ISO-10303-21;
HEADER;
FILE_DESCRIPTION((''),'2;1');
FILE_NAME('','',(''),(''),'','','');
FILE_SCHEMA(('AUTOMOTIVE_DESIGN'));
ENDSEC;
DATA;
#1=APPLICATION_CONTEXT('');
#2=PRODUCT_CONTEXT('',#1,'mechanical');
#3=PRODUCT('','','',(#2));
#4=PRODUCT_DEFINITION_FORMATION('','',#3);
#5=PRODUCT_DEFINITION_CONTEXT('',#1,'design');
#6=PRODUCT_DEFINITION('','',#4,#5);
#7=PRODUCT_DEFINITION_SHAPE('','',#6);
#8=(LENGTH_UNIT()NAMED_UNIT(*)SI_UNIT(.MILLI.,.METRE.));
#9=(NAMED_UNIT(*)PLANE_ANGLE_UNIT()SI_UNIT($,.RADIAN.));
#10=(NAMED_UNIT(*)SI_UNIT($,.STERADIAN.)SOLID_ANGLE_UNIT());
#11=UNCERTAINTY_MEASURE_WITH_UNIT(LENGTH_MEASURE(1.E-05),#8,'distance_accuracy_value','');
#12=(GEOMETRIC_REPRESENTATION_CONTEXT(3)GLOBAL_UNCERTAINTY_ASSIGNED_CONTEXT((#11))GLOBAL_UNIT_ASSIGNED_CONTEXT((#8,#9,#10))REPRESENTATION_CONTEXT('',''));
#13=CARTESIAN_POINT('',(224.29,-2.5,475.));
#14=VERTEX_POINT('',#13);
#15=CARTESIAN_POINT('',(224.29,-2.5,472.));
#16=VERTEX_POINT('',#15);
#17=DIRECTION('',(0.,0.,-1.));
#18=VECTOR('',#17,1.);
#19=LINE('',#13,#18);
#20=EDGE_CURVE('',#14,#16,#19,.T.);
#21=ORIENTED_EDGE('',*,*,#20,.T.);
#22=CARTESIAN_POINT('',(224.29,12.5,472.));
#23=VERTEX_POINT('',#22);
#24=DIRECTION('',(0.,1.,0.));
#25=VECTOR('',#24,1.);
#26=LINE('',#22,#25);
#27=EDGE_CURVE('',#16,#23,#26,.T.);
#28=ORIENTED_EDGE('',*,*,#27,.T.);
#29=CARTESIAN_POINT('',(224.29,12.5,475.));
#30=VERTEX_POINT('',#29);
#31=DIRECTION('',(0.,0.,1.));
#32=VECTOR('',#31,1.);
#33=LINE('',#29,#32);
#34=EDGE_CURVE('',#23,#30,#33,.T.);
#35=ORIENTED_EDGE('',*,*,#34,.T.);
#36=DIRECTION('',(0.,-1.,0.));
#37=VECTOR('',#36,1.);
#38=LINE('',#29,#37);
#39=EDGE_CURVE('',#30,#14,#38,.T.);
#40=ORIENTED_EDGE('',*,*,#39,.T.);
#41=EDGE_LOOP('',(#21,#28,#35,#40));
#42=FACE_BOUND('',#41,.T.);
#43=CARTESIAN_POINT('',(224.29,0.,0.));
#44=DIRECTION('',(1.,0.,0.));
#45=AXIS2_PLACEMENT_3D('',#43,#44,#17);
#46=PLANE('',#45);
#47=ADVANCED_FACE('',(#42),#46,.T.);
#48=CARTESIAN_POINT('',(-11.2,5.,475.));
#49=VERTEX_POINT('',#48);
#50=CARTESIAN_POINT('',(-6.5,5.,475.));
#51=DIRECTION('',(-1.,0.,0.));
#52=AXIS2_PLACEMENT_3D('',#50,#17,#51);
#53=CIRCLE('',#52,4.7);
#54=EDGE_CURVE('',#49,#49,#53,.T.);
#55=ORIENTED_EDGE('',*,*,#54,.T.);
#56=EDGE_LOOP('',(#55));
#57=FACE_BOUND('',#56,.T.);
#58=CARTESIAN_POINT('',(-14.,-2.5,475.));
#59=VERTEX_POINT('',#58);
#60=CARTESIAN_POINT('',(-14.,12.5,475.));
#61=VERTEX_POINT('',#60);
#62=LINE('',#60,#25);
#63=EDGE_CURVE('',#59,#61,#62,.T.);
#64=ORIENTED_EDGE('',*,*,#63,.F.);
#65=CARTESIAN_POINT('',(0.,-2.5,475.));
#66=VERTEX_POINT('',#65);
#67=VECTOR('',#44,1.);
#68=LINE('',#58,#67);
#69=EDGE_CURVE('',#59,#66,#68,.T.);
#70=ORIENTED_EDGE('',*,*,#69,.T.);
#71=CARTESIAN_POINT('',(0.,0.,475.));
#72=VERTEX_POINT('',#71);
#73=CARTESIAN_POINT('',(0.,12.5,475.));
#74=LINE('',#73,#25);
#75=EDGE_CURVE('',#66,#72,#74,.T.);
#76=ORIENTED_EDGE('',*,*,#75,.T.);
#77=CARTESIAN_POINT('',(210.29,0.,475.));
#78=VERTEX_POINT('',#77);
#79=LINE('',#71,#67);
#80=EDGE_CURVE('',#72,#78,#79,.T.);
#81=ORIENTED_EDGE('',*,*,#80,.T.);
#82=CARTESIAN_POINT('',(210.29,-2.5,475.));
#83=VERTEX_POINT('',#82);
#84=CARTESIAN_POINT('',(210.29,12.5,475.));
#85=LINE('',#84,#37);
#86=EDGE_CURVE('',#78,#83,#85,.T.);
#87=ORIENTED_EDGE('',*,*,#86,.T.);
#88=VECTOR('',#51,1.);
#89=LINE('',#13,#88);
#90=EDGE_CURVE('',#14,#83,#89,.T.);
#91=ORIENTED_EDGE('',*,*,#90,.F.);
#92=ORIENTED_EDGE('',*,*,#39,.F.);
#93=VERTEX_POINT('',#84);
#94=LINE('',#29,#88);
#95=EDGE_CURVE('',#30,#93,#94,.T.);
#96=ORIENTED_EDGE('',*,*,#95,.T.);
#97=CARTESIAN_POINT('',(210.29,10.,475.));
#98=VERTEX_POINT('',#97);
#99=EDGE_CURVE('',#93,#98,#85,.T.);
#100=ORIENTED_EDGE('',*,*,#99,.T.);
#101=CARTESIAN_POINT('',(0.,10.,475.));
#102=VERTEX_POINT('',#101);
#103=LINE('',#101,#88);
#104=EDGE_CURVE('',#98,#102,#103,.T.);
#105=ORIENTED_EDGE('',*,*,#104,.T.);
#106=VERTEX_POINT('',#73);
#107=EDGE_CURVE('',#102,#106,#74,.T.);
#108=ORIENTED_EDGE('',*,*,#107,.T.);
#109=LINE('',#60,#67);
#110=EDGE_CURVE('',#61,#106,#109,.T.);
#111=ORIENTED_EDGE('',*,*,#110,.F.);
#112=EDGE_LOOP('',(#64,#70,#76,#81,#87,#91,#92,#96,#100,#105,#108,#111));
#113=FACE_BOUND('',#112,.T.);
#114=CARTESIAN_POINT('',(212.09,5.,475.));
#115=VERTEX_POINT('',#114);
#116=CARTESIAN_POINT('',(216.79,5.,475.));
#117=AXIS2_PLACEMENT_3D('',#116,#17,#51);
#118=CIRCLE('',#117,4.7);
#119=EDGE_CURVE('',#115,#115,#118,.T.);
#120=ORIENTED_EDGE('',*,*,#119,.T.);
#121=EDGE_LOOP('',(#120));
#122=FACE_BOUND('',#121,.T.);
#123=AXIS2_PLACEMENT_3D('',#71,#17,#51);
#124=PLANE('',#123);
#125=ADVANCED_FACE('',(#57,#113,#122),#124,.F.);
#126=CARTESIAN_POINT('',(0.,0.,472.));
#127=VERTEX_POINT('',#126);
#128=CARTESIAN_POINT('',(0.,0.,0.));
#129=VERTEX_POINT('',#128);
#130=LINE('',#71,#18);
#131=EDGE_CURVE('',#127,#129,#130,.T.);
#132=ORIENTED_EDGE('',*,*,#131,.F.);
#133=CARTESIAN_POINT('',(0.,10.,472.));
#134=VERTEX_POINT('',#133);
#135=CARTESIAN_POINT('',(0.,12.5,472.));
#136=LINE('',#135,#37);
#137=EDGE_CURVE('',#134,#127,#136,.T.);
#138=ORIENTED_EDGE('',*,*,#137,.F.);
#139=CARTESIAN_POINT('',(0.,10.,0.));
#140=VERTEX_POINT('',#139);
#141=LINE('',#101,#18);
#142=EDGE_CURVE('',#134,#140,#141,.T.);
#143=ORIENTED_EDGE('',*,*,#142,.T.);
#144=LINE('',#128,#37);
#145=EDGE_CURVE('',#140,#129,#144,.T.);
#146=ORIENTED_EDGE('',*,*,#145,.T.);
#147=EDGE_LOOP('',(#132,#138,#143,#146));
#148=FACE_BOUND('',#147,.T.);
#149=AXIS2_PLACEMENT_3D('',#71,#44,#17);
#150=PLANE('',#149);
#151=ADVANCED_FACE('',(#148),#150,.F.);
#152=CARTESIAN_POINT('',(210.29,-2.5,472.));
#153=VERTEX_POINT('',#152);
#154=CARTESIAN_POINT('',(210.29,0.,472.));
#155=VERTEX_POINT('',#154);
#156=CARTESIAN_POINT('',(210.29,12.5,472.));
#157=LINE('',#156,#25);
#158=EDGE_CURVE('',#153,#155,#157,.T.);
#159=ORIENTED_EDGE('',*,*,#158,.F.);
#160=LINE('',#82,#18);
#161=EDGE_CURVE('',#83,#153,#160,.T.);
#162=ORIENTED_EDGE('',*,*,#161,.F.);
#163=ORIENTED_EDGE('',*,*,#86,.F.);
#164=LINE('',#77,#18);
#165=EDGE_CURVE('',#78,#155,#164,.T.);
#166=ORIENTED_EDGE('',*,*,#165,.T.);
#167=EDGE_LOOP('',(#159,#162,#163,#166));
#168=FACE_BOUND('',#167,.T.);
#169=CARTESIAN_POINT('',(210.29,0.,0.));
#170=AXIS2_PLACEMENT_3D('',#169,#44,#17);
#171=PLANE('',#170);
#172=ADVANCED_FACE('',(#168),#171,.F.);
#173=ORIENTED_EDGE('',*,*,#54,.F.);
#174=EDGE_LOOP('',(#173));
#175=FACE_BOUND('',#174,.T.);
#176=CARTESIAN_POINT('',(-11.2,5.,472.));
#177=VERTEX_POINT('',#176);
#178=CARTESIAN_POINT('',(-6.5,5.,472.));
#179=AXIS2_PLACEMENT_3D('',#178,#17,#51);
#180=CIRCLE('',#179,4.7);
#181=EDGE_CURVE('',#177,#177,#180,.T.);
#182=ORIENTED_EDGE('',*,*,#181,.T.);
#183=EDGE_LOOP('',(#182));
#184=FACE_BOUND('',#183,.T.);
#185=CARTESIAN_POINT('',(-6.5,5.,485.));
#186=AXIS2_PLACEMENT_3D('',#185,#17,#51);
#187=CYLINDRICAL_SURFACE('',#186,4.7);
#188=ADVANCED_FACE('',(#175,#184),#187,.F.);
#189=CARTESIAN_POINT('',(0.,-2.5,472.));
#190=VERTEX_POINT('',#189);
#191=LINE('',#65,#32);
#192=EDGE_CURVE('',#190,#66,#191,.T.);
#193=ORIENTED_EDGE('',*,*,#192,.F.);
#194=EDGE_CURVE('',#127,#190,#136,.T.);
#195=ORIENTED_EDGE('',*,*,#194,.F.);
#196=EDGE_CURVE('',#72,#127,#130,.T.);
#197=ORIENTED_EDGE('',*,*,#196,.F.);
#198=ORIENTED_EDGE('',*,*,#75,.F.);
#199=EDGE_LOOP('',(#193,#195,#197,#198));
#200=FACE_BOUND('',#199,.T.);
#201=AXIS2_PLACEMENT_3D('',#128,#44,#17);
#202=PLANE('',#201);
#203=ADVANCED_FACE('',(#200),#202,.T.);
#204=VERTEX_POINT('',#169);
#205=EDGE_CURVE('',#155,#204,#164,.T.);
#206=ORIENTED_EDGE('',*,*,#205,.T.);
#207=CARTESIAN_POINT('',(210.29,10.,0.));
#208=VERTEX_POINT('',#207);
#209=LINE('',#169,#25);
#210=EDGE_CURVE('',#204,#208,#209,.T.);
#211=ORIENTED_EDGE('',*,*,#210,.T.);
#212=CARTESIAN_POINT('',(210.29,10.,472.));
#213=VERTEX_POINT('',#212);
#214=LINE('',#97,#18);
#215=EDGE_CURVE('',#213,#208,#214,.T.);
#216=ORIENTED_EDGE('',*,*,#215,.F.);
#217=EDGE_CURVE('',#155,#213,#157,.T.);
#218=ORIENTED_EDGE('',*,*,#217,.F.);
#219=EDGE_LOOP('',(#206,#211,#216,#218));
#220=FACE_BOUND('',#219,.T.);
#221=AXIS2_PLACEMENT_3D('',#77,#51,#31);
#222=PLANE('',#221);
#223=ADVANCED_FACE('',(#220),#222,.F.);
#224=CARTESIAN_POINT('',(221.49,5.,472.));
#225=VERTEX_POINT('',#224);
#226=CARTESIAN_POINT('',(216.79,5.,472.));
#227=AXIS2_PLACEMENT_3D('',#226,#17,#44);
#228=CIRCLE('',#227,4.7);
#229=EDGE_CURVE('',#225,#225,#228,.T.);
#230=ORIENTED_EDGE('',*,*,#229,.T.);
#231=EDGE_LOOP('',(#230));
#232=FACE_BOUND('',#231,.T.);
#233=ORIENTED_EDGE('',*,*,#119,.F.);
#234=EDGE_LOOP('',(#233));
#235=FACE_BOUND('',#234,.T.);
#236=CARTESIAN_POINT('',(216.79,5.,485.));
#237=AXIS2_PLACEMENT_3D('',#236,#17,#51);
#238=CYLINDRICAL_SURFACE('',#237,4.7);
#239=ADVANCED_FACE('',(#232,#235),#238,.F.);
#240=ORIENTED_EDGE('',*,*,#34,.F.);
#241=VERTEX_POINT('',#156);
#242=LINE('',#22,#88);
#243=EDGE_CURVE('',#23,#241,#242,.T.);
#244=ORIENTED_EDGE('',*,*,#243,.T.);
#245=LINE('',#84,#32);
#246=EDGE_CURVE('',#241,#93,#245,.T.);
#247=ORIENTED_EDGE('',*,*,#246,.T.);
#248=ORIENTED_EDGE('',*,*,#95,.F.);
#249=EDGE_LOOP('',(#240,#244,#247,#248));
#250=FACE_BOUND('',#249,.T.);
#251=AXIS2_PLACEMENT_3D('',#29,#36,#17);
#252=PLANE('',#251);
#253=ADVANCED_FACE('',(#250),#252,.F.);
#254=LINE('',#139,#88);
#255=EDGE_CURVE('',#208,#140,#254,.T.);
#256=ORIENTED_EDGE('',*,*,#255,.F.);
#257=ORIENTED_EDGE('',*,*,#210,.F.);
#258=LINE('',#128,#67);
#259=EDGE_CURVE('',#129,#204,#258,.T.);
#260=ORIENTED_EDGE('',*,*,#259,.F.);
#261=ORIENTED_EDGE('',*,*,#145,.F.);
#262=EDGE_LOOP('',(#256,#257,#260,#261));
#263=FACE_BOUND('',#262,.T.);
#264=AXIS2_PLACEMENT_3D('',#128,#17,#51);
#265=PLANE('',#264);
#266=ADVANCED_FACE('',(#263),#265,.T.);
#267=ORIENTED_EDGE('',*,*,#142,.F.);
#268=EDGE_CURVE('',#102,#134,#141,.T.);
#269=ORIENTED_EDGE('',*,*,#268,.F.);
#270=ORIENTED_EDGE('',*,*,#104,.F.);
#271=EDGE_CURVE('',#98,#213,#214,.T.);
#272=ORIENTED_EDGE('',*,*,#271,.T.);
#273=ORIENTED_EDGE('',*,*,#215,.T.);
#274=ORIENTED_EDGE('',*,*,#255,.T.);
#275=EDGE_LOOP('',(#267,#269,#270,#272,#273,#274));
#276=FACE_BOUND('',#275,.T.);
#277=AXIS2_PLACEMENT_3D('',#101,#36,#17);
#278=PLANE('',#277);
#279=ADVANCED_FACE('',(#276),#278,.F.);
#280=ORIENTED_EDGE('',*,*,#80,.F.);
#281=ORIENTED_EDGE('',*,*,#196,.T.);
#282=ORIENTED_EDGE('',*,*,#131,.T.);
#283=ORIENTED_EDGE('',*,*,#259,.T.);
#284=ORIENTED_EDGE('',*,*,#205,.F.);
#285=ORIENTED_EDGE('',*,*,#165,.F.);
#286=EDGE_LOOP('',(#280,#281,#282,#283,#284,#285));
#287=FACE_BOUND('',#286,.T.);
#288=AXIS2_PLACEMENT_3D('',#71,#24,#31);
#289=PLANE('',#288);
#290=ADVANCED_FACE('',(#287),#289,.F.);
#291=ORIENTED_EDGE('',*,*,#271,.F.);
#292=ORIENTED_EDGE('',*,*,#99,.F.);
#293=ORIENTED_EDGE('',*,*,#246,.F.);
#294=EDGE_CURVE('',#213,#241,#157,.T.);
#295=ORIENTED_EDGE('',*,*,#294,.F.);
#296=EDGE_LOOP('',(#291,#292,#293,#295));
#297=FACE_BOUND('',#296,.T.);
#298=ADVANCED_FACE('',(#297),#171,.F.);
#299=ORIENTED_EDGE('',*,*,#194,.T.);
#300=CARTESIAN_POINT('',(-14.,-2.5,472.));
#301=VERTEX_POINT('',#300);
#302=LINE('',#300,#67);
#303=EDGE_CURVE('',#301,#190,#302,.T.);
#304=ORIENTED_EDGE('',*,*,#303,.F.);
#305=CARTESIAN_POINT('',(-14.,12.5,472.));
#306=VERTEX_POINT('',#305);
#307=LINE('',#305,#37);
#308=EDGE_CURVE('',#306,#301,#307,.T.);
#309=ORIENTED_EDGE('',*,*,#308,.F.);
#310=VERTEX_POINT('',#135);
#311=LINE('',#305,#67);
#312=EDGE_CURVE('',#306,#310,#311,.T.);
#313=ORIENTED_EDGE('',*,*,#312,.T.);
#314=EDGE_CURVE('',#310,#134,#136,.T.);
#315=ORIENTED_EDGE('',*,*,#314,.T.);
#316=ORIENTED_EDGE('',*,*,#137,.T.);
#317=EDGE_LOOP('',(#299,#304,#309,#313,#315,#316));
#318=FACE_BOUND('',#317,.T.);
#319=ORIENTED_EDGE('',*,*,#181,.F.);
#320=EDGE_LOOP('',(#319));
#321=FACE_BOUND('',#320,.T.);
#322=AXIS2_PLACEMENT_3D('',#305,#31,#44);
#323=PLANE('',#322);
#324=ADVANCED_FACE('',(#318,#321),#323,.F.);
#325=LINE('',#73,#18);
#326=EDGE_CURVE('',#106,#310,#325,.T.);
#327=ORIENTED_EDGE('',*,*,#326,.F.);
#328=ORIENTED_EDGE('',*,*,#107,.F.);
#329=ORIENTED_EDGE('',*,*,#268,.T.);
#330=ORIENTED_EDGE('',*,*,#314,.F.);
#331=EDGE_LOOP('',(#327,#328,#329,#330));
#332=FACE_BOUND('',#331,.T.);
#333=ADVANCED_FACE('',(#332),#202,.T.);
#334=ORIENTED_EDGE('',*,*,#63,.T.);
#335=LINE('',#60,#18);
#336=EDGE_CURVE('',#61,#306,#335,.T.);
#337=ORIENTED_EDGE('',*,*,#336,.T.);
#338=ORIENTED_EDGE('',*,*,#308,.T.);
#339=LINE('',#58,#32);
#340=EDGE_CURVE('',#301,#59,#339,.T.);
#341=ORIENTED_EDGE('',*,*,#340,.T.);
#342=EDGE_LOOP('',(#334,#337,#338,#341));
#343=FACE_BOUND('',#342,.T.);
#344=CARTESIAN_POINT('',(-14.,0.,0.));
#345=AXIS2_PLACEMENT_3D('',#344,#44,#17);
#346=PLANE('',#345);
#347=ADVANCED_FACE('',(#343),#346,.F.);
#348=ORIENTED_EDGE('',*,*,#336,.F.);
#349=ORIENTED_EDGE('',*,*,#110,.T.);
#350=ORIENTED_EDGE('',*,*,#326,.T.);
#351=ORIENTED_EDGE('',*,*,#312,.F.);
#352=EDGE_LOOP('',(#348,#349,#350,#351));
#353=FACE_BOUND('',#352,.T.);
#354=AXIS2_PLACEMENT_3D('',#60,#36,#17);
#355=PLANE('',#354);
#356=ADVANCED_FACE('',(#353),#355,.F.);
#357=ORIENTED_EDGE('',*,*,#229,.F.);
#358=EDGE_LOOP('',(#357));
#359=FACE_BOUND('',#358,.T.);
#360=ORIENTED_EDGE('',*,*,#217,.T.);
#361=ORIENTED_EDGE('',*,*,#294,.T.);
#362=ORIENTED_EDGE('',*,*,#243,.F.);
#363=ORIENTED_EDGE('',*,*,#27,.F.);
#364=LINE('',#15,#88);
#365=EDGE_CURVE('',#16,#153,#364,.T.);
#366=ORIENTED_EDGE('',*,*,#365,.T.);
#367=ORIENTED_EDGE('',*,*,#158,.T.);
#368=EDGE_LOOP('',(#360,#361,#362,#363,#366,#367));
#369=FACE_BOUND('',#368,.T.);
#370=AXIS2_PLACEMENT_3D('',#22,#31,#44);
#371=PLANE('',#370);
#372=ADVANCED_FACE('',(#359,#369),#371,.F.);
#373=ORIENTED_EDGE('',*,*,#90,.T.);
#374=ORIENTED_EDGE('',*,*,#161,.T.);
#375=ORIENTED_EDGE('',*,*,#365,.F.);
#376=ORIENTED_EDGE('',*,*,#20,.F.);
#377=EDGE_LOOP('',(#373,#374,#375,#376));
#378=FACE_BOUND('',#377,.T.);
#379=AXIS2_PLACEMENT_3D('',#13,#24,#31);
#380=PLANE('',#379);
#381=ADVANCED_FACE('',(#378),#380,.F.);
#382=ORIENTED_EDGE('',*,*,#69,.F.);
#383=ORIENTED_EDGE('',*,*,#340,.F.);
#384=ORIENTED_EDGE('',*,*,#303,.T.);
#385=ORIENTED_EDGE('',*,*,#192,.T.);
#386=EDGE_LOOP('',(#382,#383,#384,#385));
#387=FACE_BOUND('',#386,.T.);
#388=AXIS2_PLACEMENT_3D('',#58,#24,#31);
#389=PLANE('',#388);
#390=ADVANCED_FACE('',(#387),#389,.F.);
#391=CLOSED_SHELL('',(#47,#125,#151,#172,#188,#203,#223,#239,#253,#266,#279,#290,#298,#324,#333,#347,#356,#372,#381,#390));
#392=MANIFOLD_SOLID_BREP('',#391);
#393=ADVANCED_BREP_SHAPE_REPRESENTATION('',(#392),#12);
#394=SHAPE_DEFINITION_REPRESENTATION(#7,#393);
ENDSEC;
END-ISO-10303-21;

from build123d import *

# Parameters (mm, degrees)
SKETCH1_W           = 210.29
SKETCH1_H           = 10
BOSS_EXTRUDE1_DEPTH = 475
SKETCH2_W           = 3
SKETCH2_H           = 15
BOSS_EXTRUDE2_DEPTH = 14
SKETCH4_W           = 3
SKETCH4_H           = 15
BOSS_EXTRUDE3_DEPTH = 14
SKETCH3_R           = 4.7
CUT_EXTRUDE1_DEPTH  = 13


with BuildPart() as part:
    # Sketch1 → Boss-Extrude1 (new body)
    with BuildSketch(Plane.XY):
        with Locations((105.145, 5)):
            Rectangle(SKETCH1_W, SKETCH1_H)
    extrude(amount=BOSS_EXTRUDE1_DEPTH)

    # Sketch2 → Boss-Extrude2 (add)
    with BuildSketch(Plane.ZY):
        with Locations((473.5, 5)):
            Rectangle(SKETCH2_W, SKETCH2_H)
    extrude(amount=BOSS_EXTRUDE2_DEPTH)

    # Sketch4 → Boss-Extrude3 (add)
    with BuildSketch(Plane(origin=(210.29, 0, 0), x_dir=(0, 0, -1), z_dir=(1, 0, 0))):
        with Locations((-473.5, 5)):
            Rectangle(SKETCH4_W, SKETCH4_H)
    extrude(amount=BOSS_EXTRUDE3_DEPTH)

    # Sketch3 → Cut-Extrude1 (cut)
    with BuildSketch(Plane(origin=(0, 0, 472), x_dir=(-1, 0, 0), z_dir=(0, 0, -1))):
        with Locations((6.5, 5)):
            Circle(SKETCH3_R)
        with Locations((-216.79, 5)):
            Circle(SKETCH3_R)
    extrude(amount=-CUT_EXTRUDE1_DEPTH, mode=Mode.SUBTRACT)


solid = part.part
